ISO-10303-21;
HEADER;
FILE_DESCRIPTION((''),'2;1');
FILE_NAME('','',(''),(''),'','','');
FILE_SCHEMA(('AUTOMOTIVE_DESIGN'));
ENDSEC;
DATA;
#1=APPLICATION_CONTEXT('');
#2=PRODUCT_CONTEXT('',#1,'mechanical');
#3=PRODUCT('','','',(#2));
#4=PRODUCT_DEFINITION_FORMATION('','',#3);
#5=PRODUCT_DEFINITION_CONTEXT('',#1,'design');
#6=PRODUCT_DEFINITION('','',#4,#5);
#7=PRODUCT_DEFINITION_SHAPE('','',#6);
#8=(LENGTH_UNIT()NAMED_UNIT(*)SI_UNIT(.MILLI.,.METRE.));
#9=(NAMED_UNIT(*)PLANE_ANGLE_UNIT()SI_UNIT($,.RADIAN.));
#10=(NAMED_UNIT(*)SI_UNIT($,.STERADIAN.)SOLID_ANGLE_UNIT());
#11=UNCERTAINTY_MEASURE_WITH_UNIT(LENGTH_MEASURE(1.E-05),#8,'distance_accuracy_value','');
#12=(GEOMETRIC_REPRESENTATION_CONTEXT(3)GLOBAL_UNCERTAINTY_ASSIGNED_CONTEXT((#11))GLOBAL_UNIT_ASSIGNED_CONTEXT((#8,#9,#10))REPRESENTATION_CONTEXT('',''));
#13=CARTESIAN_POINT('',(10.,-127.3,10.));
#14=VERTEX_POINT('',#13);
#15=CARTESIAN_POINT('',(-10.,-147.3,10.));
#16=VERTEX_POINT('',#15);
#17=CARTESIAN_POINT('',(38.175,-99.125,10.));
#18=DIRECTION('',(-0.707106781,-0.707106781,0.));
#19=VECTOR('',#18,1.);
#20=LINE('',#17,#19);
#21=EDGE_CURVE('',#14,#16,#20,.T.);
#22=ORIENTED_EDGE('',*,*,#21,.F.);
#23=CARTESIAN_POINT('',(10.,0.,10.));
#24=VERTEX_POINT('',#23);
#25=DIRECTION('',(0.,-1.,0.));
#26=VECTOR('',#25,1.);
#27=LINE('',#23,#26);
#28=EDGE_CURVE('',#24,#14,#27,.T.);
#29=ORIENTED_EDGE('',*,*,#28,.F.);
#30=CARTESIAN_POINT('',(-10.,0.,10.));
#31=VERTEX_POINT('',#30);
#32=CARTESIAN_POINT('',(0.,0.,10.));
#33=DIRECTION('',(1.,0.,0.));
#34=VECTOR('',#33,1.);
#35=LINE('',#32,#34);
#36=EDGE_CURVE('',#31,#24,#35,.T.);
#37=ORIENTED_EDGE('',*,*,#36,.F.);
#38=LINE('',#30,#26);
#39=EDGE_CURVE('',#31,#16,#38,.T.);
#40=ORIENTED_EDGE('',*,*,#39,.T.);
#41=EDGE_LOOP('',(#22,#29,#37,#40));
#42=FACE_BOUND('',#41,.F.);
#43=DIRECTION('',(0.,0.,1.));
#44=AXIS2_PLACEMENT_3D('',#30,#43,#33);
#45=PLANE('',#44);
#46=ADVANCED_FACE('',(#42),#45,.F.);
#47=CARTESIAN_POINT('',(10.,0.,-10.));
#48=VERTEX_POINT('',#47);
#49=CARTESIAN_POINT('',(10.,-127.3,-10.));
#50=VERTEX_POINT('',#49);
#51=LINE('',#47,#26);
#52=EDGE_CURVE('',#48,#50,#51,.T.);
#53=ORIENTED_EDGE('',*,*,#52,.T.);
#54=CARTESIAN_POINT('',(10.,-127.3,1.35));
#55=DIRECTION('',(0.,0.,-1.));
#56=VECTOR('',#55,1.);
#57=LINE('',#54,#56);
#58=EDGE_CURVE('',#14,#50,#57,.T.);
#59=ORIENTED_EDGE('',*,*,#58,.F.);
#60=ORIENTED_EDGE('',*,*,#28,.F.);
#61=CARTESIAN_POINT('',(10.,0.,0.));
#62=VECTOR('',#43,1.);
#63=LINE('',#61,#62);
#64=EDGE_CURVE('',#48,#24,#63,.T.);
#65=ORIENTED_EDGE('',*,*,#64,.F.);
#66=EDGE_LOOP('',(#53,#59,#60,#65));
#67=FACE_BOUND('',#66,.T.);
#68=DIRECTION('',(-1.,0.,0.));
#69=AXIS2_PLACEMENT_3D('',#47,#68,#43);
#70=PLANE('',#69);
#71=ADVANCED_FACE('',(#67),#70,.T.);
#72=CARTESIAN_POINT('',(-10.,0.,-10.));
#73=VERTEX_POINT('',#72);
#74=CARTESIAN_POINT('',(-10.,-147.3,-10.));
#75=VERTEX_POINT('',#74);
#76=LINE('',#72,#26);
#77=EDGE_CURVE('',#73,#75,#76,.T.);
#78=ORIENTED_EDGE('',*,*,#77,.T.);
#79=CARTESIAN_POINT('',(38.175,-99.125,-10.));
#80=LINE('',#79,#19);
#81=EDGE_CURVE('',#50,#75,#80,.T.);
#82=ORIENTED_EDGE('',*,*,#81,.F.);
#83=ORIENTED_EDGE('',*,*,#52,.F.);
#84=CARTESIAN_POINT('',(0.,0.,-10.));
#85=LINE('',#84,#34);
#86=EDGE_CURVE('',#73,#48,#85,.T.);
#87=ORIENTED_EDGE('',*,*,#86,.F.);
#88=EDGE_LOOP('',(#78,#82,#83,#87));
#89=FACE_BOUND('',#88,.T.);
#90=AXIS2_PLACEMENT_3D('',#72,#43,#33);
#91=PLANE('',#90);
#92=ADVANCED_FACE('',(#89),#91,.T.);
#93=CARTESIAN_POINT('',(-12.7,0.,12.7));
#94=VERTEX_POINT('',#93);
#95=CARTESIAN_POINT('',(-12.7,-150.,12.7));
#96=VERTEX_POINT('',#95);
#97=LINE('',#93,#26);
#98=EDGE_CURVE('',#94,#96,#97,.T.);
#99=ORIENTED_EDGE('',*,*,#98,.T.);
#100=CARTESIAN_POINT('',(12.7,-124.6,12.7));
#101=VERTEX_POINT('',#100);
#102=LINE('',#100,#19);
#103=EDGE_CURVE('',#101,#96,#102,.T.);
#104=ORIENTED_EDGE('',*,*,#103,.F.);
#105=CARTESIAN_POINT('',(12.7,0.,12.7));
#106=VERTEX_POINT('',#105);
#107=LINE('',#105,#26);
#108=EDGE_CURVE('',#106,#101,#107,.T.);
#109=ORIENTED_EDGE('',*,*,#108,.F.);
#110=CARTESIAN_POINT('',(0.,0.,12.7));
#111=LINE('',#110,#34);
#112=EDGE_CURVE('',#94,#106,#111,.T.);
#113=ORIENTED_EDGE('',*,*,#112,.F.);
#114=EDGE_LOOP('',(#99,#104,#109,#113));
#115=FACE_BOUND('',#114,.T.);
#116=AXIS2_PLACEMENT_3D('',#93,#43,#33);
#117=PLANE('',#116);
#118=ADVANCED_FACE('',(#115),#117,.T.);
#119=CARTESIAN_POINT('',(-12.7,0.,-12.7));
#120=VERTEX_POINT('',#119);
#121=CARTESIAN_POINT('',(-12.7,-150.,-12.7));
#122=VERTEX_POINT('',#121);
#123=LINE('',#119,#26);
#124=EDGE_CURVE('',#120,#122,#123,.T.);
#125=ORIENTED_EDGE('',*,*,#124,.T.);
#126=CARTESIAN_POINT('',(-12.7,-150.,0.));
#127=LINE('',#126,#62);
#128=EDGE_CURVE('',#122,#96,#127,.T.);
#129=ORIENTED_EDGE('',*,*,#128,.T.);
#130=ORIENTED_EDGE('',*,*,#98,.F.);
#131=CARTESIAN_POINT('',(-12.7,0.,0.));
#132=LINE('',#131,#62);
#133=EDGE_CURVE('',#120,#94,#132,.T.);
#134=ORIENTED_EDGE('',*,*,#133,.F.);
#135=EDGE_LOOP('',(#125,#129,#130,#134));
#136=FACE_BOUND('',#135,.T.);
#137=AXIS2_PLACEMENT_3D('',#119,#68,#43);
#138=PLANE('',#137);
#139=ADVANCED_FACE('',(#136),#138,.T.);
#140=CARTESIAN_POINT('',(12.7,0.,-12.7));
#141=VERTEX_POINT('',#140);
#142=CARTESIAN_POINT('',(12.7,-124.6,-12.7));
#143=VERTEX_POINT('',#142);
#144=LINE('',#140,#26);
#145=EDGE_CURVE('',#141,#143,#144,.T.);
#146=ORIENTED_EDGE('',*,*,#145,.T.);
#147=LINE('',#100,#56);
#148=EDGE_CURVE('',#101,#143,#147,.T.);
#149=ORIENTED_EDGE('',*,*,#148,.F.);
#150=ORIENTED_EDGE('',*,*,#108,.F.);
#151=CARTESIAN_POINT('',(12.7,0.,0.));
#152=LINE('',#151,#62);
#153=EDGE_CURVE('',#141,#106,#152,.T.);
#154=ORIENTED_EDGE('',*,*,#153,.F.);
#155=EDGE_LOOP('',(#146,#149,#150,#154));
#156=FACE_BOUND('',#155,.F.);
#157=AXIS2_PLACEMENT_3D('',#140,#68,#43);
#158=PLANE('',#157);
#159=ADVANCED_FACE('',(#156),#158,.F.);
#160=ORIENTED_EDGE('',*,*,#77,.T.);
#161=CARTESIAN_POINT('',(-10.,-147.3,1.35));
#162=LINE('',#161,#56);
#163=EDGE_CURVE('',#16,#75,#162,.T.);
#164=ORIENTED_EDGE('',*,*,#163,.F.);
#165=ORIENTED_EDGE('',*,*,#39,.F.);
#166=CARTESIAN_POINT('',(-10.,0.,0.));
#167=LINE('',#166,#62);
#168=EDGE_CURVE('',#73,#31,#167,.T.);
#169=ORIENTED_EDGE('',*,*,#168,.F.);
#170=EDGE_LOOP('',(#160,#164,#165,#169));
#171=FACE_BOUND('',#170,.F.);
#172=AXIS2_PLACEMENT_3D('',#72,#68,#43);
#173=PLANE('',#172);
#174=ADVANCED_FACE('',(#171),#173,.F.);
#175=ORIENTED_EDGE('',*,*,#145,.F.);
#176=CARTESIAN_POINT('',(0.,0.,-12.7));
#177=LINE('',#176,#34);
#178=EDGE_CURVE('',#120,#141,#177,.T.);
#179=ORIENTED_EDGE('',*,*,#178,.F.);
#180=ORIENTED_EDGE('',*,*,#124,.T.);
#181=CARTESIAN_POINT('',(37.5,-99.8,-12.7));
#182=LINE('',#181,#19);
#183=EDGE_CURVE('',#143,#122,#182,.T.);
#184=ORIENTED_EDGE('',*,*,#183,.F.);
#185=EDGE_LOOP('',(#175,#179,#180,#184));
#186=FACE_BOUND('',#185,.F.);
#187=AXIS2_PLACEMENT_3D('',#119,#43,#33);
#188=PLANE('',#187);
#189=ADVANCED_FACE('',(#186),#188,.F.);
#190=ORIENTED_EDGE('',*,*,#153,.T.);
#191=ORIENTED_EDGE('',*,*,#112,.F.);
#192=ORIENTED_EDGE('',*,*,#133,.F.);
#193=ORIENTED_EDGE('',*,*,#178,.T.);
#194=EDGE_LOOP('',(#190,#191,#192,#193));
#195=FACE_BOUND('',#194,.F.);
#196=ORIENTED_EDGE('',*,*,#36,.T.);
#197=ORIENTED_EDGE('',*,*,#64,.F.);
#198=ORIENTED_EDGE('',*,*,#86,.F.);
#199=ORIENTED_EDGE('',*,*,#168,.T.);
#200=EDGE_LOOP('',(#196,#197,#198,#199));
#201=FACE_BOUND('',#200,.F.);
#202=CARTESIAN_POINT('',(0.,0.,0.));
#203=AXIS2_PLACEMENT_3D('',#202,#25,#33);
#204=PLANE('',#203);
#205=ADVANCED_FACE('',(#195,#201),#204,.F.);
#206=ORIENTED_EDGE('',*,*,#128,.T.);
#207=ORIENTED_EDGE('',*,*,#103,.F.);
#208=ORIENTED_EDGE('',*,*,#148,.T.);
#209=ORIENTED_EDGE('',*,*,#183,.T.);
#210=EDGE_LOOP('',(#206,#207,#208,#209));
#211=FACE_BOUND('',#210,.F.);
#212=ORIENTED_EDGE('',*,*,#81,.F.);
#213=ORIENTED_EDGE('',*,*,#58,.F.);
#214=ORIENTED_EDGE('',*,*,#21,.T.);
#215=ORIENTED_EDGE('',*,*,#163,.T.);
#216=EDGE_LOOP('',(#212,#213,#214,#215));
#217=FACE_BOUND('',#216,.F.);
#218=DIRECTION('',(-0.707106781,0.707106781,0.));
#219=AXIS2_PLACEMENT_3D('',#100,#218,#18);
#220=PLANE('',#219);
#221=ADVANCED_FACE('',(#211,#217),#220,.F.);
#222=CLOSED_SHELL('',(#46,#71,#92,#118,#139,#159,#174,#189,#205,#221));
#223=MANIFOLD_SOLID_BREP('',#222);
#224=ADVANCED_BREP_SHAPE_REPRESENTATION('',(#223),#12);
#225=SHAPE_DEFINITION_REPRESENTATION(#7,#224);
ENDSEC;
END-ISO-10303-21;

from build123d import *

# Parameters (mm, degrees)
F0_W     = 25.4
F0_H     = 25.4
F0_W_2   = 20
F0_H_2   = 20
F1_DEPTH = 150
F3_DEPTH = 200


with BuildPart() as f1:
    # F0 (on Front) → F1 (new body)
    with BuildSketch(Plane.XZ):
        Rectangle(F0_W, F0_H)
        Rectangle(F0_W_2, F0_H_2, mode=Mode.SUBTRACT)
    extrude(amount=F1_DEPTH)

    # F2 (on face) → F3 (cut)
    with BuildSketch(Plane.XY.offset(12.7)):
        Polygon((12.7, -124.6), (-12.7, -150), (12.7, -150), align=None)
    extrude(amount=-F3_DEPTH, mode=Mode.SUBTRACT)


solid = f1.part
